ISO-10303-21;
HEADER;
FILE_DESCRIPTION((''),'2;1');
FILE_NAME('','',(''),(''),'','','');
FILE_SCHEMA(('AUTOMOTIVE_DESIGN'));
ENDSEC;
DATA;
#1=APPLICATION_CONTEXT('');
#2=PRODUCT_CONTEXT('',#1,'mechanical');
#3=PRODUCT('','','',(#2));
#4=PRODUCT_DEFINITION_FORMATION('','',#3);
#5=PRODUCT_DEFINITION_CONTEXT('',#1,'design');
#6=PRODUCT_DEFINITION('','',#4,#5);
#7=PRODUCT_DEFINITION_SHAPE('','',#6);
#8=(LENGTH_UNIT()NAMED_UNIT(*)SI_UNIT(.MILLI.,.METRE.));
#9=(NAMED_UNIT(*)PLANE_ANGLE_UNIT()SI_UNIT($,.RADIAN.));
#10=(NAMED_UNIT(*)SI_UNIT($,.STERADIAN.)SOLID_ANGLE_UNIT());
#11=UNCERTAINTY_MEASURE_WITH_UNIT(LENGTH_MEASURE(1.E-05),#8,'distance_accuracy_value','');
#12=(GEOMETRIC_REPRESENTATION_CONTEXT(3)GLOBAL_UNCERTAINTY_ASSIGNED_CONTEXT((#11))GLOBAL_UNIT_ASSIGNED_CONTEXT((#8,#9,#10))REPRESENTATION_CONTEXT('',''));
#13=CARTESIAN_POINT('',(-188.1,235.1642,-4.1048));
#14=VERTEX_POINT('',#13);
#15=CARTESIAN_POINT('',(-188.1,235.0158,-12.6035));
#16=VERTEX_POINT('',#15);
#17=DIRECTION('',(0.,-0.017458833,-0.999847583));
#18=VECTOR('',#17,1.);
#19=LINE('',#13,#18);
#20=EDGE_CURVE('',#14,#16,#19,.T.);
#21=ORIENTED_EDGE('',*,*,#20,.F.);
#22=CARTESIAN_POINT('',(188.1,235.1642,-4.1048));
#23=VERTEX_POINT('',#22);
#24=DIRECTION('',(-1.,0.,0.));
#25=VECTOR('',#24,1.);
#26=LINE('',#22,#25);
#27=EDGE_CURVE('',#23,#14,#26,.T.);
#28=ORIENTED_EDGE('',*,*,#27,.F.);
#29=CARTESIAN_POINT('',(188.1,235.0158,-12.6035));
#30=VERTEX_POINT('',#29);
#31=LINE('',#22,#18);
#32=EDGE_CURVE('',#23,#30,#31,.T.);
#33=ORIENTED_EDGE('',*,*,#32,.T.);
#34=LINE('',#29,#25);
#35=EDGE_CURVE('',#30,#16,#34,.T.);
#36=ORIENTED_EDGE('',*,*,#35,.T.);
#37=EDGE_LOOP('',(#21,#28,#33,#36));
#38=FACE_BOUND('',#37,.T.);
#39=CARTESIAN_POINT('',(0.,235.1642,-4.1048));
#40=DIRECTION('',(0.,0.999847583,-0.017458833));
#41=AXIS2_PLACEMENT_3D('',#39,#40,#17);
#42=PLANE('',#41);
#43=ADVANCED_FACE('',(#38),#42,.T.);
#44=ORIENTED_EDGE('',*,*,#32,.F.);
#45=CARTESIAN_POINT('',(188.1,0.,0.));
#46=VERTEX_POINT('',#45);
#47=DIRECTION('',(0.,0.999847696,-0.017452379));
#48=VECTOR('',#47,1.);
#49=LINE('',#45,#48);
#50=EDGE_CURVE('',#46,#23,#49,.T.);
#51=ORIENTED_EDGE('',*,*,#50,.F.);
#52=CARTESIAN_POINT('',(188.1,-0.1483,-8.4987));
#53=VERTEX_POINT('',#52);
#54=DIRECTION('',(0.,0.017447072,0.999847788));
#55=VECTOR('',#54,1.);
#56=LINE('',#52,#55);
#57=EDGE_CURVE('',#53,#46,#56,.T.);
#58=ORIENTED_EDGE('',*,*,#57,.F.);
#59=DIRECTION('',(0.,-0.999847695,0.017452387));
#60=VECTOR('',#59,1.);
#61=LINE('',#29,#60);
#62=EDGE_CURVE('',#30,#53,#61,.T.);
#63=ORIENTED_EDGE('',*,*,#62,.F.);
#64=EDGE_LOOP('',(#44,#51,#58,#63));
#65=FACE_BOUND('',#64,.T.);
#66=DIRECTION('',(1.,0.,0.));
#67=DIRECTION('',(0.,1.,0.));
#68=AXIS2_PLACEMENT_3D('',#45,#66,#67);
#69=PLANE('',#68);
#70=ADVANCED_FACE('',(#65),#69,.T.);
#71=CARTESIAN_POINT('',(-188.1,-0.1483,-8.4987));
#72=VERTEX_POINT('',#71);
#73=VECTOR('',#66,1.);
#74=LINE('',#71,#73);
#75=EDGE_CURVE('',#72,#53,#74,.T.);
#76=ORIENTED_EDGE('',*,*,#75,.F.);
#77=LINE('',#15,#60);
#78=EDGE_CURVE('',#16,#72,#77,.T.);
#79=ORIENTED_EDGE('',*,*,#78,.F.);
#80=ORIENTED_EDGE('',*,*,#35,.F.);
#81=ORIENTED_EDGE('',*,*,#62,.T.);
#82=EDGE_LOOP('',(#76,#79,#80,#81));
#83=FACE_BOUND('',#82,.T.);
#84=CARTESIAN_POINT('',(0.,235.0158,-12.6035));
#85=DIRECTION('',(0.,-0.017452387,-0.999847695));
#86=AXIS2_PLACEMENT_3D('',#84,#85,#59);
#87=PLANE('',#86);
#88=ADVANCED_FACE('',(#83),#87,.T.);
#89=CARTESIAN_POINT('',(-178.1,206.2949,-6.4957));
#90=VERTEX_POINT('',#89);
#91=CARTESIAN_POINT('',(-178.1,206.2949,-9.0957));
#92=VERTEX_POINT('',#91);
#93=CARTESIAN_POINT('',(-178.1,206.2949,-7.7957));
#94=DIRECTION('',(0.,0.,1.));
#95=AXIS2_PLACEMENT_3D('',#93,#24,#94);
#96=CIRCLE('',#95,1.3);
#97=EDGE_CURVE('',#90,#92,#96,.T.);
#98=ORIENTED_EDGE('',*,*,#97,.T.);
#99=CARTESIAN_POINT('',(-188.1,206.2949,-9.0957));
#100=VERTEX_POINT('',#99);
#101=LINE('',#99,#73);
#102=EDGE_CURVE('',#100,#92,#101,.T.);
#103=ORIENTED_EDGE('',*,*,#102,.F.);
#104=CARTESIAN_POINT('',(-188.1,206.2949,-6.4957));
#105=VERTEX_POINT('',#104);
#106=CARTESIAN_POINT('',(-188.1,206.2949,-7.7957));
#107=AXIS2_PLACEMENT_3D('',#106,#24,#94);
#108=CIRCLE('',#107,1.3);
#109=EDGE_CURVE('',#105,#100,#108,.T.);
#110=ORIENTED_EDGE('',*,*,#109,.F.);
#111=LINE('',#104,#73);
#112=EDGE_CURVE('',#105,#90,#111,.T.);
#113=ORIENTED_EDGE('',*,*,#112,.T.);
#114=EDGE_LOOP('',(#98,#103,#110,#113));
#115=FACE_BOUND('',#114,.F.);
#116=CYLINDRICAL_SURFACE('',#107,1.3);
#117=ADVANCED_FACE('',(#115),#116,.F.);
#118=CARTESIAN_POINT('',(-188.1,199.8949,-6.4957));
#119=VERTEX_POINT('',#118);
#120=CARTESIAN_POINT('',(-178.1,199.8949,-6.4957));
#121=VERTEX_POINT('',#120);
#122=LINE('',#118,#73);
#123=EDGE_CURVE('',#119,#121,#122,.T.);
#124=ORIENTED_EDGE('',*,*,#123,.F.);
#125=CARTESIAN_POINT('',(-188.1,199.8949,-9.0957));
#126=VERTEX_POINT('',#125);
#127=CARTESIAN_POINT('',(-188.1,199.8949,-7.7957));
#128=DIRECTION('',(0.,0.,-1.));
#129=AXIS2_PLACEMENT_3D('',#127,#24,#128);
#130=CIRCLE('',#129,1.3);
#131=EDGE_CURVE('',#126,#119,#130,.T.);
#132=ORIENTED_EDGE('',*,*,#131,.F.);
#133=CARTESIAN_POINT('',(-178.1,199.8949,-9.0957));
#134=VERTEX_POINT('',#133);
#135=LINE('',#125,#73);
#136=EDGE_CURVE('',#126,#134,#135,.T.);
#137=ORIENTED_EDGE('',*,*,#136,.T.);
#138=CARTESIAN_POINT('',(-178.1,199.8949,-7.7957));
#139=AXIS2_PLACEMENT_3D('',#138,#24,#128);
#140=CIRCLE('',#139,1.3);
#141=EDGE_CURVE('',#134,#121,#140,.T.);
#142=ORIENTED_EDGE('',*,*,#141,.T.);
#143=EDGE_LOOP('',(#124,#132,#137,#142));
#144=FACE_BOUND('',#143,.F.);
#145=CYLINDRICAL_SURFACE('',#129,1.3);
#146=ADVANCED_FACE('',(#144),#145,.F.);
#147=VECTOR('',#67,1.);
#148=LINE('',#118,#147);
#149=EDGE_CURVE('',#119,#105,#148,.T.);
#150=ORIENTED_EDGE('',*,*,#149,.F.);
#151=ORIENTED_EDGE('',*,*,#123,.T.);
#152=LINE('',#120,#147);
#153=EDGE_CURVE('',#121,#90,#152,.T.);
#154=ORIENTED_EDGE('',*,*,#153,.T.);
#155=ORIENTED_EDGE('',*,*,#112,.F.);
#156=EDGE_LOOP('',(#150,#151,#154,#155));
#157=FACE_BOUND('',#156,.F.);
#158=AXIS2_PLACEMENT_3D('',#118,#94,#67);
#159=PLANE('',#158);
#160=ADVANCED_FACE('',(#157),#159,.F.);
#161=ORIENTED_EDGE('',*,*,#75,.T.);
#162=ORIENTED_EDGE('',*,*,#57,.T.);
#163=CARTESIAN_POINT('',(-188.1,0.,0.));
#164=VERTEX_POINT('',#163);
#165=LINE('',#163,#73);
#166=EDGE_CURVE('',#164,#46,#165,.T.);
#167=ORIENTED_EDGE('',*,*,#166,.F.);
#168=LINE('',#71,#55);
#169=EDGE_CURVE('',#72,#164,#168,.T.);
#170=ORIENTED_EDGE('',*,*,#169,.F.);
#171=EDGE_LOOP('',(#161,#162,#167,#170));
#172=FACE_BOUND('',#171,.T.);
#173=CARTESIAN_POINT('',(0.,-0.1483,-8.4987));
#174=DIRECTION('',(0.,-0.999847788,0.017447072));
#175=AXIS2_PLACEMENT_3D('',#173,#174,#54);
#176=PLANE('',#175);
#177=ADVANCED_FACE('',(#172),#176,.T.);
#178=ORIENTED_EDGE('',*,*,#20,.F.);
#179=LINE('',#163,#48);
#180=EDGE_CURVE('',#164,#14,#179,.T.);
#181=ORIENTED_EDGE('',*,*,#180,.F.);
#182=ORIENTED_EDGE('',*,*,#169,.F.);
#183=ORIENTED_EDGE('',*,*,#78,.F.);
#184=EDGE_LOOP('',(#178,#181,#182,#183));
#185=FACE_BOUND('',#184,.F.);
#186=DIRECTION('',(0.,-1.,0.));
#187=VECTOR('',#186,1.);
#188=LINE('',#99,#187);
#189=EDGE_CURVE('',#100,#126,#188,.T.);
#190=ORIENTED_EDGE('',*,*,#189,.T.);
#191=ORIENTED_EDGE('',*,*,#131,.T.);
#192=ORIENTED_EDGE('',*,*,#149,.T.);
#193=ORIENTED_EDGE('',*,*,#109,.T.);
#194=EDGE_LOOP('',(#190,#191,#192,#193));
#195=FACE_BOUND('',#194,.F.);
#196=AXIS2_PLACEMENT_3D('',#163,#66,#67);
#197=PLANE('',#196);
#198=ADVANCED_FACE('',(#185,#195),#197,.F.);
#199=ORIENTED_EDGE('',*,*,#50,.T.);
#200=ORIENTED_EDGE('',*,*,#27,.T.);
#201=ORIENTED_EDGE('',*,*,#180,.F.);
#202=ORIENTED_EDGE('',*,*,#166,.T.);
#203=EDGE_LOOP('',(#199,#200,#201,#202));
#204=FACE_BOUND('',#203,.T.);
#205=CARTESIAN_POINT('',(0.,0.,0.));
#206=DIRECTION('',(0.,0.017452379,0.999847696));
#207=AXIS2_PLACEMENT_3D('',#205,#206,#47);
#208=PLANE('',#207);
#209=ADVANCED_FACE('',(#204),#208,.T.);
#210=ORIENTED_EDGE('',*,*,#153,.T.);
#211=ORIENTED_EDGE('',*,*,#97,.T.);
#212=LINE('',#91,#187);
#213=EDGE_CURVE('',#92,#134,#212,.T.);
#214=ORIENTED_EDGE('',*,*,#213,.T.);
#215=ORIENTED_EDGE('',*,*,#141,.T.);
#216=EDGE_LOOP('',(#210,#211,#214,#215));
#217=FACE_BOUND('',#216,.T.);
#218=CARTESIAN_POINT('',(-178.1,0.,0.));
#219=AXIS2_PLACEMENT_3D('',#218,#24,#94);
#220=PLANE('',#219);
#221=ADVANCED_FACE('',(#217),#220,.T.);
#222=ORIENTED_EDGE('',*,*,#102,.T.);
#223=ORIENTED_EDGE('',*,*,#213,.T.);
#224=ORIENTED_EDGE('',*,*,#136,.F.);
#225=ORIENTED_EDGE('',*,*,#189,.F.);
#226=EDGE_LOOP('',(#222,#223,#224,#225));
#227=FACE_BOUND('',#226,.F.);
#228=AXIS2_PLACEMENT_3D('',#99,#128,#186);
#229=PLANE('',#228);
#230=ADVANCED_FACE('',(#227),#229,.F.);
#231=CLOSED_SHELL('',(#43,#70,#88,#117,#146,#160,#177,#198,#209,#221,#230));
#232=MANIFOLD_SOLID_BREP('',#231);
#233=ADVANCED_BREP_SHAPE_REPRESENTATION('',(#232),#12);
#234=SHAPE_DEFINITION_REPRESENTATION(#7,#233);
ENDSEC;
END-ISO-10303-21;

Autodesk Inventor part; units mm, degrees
ref_plane "YZ Plane" through (0, 0, 0) normal (1, 0, 0) x (0, 1, 0)
ref_plane "XZ Plane" through (0, 0, 0) normal (0, 1, 0) x (-1, 0, 0)
ref_plane "XY Plane" through (0, 0, 0) normal (0, 0, 1) x (1, 0, 0)
sketch "Sketch1" plane through (0, 0, 0) normal (1, 0, 0) x (0, 1, 0)
  line L0 (0, 0) -> (235.1642, -4.1048)
  line L1 (235.1642, -4.1048) -> (235.0158, -12.6035)
  line L2 (235.0158, -12.6035) -> (-0.1483, -8.4987)
  line L3 (-0.1483, -8.4987) -> (0, 0)
  line L4 (-47.2109, 0) -> (282.2267, 0) construction
  dimension "d0" = 1
  dimension "d1" = 8.5
  dimension "d2" = 235.2
extrude "Extrusion1" add sketch "Sketch1" along normal mid plane 376.2
sketch "Sketch2" plane through (-188.1, 0, 0) normal (-1, 0, 0) x (0, 0, 1)
  line L0 (0, 0) -> (-4.1048, 235.1642) construction
  line L1 (-4.1048, 235.1642) -> (-12.6035, 235.0158) construction
  line L2 (-12.6035, 235.0158) -> (-8.4987, -0.1483) construction
  line L3 (-8.4987, -0.1483) -> (0, 0) construction
  line L4 (-7.7957, 206.2949) -> (-7.7957, 199.8949) construction
  line L5 (-9.0957, 206.2949) -> (-9.0957, 199.8949)
  line L6 (-6.4957, 199.8949) -> (-6.4957, 206.2949)
  arc A0 (-6.4957, 206.2949) -> (-9.0957, 206.2949) centre (-7.7957, 206.2949) ccw
  arc A1 (-9.0957, 199.8949) -> (-6.4957, 199.8949) centre (-7.7957, 199.8949) ccw
  line L7 (-7.7957, 207.5949) -> (-7.7957, 198.5949) construction
  line L8 (-3.545, 203.0949) -> (-12.0463, 203.0949) construction
  point P0 (-7.7957, 203.0949)
  point P1 (-7.7957, 203.0949)
  dimension "d5" = 2.6
  dimension "d6" = 9
  dimension "d7" = 32
extrude "Extrusion2" cut sketch "Sketch2" against normal blind 10
properties part number "extDisplay" material "PC/ABS Plastic"
